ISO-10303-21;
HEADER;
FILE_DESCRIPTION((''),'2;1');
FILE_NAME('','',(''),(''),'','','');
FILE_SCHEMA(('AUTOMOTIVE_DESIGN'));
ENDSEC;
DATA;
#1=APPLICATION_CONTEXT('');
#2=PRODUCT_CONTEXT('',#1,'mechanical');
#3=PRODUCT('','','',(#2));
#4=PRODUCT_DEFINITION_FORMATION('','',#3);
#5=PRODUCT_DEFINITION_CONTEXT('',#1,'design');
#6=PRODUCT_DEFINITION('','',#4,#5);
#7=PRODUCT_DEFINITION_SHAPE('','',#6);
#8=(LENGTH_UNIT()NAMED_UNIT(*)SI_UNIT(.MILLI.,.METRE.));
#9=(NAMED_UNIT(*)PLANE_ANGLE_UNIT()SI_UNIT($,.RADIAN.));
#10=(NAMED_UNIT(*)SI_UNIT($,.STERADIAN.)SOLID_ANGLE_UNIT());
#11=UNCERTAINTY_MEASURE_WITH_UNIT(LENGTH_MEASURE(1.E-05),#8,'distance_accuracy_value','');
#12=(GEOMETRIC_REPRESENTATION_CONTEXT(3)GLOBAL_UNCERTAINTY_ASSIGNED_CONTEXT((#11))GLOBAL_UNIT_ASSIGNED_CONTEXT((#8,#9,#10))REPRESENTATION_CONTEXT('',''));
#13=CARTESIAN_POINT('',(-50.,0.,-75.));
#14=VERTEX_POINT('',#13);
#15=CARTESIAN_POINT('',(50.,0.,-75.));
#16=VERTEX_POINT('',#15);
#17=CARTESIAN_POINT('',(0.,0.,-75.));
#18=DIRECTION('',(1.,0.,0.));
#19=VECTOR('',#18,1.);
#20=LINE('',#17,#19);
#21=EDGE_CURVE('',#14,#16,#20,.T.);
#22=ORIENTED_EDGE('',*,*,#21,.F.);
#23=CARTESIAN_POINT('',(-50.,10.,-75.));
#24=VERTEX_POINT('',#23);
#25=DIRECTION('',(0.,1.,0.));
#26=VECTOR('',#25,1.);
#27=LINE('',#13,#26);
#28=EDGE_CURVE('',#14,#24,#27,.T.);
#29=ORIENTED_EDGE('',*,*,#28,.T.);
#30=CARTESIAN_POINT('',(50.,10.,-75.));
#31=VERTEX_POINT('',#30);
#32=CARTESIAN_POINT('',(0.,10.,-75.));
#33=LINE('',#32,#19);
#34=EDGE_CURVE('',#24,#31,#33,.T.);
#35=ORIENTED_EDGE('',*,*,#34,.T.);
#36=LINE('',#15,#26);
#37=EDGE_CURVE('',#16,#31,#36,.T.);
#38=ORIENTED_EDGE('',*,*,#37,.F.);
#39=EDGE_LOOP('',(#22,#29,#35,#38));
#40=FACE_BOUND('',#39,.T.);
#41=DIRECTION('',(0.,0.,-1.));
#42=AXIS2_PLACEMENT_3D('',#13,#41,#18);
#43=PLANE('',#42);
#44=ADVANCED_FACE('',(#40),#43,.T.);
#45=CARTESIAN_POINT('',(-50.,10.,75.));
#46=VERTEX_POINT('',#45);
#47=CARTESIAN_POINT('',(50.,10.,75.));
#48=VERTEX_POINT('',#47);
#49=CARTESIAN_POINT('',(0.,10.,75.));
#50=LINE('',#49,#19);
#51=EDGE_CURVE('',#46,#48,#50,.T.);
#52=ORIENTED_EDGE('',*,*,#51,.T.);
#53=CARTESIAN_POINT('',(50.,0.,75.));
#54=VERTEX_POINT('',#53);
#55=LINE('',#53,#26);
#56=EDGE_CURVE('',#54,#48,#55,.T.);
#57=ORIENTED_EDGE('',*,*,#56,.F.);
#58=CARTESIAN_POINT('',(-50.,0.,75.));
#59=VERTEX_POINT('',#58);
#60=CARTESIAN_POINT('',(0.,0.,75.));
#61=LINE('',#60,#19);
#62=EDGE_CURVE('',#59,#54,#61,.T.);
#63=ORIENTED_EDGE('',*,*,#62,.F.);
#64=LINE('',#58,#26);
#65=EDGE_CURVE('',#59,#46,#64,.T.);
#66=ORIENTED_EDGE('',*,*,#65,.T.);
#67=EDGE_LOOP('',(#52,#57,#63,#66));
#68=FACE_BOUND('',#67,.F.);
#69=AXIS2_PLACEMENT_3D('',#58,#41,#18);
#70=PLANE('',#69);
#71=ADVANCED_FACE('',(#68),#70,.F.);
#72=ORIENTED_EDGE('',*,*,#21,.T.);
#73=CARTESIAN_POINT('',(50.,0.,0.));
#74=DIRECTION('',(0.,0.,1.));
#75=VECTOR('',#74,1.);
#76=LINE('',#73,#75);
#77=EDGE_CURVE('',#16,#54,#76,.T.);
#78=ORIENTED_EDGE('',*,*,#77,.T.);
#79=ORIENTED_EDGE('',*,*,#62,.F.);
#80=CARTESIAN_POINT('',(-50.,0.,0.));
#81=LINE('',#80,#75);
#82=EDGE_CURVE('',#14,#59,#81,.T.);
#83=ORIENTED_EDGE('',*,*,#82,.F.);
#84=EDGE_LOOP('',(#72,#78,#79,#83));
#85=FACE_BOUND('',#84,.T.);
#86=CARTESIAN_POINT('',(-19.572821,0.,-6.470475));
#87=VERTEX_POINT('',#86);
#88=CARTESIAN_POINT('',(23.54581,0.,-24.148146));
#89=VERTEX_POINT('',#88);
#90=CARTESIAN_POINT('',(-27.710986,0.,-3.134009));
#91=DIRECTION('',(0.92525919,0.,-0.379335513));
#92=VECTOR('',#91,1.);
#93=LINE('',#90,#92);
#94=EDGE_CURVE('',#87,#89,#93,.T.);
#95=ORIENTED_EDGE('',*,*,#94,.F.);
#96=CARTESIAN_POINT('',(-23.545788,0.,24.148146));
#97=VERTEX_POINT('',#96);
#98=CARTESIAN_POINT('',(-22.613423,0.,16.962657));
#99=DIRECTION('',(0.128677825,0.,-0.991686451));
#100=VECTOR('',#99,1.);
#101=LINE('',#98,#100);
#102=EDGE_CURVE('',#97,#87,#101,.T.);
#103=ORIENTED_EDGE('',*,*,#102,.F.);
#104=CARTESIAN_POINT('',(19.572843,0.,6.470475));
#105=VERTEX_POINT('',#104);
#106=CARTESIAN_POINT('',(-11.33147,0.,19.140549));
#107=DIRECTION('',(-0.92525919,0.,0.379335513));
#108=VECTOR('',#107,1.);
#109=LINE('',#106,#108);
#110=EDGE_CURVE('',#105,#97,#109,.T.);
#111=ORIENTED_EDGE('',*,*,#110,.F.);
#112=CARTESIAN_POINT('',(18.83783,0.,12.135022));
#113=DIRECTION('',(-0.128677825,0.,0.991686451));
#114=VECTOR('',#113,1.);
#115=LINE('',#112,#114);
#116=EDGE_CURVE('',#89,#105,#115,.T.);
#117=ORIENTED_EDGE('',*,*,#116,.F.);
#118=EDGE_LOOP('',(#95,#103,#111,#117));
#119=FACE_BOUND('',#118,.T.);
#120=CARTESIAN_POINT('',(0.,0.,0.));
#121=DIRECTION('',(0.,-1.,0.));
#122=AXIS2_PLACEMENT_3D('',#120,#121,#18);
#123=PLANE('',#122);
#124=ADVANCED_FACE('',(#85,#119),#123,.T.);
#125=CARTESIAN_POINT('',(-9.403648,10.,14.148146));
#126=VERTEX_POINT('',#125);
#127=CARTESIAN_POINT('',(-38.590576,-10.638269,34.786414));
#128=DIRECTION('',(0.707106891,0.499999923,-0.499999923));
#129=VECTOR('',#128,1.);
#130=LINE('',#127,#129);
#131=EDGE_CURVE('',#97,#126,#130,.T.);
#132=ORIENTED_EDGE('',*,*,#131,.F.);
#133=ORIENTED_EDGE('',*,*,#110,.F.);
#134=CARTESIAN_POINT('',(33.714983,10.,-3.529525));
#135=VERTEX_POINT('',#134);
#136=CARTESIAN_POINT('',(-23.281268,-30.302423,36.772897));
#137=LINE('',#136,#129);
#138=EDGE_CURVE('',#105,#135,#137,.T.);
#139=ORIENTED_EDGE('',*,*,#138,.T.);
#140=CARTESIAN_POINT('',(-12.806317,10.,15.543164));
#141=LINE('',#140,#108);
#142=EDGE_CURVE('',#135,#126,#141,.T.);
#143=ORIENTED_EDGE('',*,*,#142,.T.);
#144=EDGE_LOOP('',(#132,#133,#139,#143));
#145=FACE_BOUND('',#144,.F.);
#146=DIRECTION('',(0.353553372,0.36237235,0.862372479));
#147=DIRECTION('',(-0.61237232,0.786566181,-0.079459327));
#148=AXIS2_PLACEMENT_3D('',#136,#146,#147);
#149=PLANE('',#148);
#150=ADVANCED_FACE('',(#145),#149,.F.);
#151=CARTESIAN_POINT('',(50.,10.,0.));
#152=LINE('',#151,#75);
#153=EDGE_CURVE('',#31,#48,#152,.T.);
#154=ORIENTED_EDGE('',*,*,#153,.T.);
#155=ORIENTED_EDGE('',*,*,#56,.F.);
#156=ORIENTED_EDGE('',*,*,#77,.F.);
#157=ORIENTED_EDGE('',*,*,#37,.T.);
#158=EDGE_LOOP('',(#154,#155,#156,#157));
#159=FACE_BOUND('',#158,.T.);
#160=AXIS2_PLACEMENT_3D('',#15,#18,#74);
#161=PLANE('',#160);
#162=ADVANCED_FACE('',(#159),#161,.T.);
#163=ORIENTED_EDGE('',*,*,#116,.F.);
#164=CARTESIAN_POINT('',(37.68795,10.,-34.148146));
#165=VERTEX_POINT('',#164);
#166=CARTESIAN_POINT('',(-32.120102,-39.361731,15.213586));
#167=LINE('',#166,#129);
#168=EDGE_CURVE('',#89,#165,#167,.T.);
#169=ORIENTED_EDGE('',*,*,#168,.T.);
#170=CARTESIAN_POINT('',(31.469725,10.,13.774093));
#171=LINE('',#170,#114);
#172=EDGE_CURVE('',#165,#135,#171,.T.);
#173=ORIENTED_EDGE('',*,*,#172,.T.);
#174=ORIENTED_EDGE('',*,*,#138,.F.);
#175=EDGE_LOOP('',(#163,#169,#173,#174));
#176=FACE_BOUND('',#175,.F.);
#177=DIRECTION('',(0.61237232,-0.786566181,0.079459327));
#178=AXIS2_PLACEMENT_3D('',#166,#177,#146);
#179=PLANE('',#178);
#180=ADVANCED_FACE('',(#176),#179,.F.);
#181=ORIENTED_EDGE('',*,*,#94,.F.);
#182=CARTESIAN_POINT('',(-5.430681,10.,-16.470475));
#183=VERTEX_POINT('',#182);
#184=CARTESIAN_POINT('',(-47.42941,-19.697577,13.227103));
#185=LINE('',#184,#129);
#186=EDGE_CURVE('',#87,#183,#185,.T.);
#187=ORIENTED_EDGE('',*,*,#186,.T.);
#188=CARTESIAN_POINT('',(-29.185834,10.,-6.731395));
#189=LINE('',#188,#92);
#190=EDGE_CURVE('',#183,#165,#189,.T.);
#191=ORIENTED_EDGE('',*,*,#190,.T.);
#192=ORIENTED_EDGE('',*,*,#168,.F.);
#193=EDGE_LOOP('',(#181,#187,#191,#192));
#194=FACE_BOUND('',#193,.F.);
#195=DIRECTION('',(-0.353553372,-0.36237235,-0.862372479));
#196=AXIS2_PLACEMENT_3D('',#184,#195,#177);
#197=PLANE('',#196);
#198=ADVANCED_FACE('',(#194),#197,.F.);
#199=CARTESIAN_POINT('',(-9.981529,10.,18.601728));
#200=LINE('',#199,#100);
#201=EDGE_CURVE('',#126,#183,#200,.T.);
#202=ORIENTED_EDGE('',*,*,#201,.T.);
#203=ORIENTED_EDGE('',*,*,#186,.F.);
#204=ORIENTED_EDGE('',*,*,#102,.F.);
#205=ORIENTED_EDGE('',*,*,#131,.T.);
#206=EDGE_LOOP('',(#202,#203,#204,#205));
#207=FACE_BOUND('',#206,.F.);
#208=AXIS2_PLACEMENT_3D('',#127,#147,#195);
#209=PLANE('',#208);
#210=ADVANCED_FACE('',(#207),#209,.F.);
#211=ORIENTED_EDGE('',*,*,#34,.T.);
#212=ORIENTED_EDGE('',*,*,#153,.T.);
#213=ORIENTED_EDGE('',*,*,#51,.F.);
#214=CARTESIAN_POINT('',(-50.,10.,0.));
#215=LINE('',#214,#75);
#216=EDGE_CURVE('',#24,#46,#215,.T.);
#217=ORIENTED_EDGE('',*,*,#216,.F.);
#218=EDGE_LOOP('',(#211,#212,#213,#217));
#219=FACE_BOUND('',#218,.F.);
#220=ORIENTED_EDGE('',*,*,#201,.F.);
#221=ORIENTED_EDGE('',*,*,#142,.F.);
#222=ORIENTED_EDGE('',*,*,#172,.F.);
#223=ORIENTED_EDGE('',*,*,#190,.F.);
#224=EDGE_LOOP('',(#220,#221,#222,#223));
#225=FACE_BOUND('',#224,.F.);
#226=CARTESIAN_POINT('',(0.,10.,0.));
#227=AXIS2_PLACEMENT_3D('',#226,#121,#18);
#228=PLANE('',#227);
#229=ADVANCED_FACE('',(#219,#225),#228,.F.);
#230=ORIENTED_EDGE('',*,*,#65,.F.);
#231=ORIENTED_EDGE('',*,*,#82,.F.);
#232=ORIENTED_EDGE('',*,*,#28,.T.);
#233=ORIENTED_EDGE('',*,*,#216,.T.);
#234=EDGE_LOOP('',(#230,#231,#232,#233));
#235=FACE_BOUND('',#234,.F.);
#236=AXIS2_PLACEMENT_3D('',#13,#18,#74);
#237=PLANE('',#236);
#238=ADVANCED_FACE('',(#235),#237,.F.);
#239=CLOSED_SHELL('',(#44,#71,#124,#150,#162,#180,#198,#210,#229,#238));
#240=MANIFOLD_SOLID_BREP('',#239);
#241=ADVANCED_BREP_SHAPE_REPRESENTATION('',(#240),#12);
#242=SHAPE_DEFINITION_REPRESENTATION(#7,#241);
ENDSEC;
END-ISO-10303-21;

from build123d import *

# Parameters (mm, degrees)
F0_W     = 100
F0_H     = 150
F1_DEPTH = 10
F7_DEPTH = 127.856339


with BuildPart() as f1:
    # F0 (on Front) → F1 (new body)
    with BuildSketch(Plane.XZ):
        Rectangle(F0_W, F0_H)
    extrude(amount=-F1_DEPTH)

    # F6 (on face) → F7 (cut, through all)
    with BuildSketch(Plane(origin=(-35.355339, -25, 25), x_dir=(0.408248, -0.866025, -0.288675), z_dir=(-0.707107, -0.5, 0.5))):
        Polygon((-16.583499, 6.122708), (-6.122708, -16.583499), (16.583499, -6.122708), (6.122708, 16.583499), align=None)
    extrude(amount=-F7_DEPTH, mode=Mode.SUBTRACT)


solid = f1.part
